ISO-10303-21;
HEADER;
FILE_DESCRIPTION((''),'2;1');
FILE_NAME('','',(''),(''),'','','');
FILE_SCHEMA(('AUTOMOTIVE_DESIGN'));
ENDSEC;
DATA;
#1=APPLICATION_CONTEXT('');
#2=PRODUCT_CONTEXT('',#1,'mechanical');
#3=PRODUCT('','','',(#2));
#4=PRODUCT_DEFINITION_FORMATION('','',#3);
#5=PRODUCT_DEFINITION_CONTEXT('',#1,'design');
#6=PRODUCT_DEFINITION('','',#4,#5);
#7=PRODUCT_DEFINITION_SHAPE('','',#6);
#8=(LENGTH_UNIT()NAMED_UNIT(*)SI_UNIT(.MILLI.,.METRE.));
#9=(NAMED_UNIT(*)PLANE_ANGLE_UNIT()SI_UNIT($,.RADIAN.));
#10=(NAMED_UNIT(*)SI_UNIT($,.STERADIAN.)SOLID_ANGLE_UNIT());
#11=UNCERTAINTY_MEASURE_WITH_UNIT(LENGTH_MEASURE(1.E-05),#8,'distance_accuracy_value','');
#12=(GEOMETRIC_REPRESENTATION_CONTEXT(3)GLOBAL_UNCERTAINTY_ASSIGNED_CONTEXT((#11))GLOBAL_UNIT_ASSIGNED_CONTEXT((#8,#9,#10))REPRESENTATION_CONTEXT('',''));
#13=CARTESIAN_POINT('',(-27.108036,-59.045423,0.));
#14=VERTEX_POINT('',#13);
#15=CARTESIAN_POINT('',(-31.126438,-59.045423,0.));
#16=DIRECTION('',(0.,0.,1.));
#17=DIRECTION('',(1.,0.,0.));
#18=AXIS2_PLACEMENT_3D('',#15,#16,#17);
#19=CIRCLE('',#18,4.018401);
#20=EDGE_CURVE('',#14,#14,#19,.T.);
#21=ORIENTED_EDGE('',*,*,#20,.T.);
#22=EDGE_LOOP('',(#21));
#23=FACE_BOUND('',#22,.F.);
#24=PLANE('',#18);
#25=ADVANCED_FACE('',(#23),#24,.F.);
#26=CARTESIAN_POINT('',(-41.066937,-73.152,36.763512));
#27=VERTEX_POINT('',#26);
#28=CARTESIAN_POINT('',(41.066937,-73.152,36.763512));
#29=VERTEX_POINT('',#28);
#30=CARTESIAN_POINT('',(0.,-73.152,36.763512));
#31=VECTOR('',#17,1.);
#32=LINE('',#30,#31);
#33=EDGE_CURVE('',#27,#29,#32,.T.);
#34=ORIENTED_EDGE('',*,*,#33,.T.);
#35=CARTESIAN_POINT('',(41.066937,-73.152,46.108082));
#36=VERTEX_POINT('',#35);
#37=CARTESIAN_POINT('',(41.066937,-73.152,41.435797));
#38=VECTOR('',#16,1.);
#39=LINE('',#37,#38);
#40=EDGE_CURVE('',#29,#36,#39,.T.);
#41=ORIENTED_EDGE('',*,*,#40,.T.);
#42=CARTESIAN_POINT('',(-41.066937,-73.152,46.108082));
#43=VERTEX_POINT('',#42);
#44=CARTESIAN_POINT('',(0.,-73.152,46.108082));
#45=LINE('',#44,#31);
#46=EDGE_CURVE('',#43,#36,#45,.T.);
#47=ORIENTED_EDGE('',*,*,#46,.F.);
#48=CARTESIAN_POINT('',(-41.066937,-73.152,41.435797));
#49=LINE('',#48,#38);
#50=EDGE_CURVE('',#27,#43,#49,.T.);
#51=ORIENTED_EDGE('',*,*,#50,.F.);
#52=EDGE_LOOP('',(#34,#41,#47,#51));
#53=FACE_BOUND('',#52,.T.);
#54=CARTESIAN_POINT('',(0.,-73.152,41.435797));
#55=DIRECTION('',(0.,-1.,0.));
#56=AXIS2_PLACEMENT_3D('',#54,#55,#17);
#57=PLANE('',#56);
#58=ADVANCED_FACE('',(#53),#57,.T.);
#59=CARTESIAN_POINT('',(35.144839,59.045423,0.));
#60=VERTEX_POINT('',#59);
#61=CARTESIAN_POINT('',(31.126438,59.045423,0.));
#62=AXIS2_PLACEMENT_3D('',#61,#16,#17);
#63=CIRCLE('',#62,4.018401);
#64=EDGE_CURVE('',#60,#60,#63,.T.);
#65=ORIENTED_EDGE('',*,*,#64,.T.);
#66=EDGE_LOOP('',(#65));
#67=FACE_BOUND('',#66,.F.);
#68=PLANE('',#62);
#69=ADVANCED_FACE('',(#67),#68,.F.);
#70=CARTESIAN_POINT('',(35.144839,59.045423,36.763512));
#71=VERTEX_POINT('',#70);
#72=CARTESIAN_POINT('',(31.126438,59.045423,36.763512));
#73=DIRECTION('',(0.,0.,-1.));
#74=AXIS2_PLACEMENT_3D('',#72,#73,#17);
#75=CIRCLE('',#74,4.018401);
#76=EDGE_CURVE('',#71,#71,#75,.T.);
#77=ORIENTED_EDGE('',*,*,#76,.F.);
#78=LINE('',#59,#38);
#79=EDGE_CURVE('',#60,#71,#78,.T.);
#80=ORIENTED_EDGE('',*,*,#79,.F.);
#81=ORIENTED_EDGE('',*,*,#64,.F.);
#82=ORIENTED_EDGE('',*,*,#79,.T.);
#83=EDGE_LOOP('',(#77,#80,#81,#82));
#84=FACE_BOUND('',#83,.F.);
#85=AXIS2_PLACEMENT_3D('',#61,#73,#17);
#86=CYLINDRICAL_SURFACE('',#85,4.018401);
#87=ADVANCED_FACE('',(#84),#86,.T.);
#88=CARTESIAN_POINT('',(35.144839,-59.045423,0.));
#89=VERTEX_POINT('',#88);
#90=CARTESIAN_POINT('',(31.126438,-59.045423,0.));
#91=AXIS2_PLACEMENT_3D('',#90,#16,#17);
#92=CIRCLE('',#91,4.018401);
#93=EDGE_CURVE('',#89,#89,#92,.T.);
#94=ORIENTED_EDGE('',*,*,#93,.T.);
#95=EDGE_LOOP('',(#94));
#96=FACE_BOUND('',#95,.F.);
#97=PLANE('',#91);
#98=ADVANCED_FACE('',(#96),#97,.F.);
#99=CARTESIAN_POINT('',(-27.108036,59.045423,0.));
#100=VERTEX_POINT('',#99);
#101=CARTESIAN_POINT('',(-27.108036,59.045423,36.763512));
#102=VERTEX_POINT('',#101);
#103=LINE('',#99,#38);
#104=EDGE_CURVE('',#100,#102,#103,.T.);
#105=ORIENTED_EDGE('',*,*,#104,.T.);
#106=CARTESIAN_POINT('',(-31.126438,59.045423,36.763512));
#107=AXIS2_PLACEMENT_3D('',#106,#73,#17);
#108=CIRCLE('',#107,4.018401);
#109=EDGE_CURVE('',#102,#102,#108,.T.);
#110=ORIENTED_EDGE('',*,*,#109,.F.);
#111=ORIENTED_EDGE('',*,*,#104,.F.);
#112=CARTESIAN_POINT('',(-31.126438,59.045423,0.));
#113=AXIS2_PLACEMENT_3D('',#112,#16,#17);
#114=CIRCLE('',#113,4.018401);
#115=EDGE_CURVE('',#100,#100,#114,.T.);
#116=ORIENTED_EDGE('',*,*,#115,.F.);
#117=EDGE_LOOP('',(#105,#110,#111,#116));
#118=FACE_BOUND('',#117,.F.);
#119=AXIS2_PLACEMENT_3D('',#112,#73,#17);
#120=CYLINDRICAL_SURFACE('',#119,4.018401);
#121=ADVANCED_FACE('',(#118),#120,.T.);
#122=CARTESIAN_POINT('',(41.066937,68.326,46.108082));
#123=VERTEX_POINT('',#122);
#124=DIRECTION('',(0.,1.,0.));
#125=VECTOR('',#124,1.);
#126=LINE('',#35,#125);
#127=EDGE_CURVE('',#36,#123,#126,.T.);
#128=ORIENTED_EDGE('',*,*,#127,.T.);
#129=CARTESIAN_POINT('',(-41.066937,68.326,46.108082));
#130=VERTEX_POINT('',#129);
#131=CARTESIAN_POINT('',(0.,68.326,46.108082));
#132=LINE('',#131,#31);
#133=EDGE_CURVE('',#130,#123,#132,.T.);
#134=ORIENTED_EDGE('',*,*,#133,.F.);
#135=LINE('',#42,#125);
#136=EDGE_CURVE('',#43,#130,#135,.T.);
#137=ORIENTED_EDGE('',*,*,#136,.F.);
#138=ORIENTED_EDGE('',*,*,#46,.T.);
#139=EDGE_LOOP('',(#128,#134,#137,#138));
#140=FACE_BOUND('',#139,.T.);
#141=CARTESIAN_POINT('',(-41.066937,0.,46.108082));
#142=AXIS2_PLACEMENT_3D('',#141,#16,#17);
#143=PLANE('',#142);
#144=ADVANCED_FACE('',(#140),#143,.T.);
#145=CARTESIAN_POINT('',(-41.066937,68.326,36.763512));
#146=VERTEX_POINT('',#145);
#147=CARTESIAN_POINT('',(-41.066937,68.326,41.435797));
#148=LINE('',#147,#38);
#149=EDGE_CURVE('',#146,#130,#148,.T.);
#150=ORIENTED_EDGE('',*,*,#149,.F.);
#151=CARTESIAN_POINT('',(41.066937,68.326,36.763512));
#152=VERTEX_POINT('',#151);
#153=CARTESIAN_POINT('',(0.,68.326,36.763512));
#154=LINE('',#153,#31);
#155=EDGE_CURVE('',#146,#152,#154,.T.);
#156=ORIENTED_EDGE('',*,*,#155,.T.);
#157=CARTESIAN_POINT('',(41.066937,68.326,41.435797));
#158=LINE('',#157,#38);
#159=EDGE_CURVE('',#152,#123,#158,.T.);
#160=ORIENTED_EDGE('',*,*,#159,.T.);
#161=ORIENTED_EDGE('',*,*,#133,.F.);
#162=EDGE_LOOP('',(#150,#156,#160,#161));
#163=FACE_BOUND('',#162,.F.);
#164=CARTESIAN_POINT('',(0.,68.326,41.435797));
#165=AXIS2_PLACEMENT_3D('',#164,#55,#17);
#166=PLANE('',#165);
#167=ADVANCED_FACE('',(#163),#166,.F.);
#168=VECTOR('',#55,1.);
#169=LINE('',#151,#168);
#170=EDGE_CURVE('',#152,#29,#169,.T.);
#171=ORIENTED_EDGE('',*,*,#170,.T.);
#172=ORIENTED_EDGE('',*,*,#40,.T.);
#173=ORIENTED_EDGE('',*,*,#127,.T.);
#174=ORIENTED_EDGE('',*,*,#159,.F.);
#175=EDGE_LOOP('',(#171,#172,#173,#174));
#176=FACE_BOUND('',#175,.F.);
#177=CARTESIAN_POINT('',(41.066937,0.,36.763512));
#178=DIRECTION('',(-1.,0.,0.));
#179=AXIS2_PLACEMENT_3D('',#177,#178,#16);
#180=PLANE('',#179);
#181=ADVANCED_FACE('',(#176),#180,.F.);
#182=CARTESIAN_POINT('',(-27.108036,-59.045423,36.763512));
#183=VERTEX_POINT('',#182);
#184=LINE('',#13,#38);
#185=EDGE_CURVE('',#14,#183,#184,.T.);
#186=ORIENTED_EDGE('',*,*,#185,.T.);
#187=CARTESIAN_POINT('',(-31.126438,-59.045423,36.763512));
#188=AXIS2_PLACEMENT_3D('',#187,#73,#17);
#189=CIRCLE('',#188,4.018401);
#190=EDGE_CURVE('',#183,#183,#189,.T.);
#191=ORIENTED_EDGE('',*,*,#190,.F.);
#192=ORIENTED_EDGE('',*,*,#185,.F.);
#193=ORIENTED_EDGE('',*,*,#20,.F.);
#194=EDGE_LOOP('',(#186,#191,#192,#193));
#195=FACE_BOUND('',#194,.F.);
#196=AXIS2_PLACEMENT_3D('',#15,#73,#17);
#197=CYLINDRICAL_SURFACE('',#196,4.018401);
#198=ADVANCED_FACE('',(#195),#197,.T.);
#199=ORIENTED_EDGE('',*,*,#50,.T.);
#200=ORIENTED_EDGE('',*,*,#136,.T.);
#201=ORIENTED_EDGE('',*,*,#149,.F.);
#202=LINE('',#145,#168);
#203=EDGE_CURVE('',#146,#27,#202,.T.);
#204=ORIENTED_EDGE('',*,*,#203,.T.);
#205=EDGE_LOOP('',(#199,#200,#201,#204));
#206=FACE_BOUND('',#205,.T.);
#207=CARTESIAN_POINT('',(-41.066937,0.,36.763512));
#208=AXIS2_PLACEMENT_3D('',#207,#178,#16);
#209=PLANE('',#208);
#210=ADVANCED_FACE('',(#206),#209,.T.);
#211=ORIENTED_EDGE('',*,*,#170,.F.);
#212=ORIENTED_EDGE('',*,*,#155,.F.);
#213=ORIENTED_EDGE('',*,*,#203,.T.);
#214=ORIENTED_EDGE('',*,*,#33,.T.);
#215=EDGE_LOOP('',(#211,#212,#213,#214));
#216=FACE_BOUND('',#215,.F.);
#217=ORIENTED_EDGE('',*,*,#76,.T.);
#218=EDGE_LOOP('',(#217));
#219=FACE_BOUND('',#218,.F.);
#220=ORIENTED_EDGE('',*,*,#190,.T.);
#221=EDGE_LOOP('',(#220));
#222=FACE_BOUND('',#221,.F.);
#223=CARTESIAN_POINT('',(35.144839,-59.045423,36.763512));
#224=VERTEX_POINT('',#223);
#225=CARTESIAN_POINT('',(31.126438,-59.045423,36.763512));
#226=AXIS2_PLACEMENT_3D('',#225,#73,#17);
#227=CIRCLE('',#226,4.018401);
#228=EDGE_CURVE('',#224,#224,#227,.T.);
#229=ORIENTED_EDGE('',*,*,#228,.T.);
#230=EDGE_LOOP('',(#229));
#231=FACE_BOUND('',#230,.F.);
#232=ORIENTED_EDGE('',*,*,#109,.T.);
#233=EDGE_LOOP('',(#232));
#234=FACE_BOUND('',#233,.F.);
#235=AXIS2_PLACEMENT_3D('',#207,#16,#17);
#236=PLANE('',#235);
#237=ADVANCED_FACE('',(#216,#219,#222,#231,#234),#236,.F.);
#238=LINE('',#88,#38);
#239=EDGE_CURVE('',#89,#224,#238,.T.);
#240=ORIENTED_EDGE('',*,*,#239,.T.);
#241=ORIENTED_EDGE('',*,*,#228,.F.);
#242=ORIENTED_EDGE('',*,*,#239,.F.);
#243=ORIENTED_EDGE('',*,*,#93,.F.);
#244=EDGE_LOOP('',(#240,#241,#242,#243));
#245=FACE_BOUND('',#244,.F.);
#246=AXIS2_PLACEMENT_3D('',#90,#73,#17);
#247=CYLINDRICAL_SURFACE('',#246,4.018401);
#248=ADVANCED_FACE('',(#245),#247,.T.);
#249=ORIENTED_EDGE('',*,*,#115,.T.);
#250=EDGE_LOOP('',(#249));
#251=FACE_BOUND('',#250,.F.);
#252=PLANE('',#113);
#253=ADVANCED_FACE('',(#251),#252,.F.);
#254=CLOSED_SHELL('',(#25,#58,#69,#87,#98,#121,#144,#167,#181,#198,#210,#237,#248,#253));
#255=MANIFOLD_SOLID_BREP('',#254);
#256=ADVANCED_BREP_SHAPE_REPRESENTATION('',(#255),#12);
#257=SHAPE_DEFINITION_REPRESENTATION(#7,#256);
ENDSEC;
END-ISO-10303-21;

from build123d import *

# Parameters (mm, degrees)
F0_W          = 82.1338742971
F0_H          = 9.3445703387
F1_DEPTH      = 68.326
F1_DEPTH_BACK = 73.152
F2_R          = 4.0184012563
F3_DEPTH      = 45.72


with BuildPart() as f1:
    # F0 (on Front) → F1 (new body, two sides)
    with BuildSketch(Plane.XZ) as f1_sk:
        with Locations((0, 41.4357967675)):
            Rectangle(F0_W, F0_H)
    extrude(amount=-F1_DEPTH)
    extrude(f1_sk.sketch, amount=F1_DEPTH_BACK)

    # F2 (on Top) → F3 (join)
    with BuildSketch(Plane.XY):
        with Locations((-31.1264377087, 59.0454228222)):
            Circle(F2_R)
        with Locations((31.1264377087, 59.0454228222)):
            Circle(F2_R)
        with Locations((-31.1264377087, -59.0454228222)):
            Circle(F2_R)
        with Locations((31.1264377087, -59.0454228222)):
            Circle(F2_R)
    extrude(amount=F3_DEPTH)


solid = f1.part
